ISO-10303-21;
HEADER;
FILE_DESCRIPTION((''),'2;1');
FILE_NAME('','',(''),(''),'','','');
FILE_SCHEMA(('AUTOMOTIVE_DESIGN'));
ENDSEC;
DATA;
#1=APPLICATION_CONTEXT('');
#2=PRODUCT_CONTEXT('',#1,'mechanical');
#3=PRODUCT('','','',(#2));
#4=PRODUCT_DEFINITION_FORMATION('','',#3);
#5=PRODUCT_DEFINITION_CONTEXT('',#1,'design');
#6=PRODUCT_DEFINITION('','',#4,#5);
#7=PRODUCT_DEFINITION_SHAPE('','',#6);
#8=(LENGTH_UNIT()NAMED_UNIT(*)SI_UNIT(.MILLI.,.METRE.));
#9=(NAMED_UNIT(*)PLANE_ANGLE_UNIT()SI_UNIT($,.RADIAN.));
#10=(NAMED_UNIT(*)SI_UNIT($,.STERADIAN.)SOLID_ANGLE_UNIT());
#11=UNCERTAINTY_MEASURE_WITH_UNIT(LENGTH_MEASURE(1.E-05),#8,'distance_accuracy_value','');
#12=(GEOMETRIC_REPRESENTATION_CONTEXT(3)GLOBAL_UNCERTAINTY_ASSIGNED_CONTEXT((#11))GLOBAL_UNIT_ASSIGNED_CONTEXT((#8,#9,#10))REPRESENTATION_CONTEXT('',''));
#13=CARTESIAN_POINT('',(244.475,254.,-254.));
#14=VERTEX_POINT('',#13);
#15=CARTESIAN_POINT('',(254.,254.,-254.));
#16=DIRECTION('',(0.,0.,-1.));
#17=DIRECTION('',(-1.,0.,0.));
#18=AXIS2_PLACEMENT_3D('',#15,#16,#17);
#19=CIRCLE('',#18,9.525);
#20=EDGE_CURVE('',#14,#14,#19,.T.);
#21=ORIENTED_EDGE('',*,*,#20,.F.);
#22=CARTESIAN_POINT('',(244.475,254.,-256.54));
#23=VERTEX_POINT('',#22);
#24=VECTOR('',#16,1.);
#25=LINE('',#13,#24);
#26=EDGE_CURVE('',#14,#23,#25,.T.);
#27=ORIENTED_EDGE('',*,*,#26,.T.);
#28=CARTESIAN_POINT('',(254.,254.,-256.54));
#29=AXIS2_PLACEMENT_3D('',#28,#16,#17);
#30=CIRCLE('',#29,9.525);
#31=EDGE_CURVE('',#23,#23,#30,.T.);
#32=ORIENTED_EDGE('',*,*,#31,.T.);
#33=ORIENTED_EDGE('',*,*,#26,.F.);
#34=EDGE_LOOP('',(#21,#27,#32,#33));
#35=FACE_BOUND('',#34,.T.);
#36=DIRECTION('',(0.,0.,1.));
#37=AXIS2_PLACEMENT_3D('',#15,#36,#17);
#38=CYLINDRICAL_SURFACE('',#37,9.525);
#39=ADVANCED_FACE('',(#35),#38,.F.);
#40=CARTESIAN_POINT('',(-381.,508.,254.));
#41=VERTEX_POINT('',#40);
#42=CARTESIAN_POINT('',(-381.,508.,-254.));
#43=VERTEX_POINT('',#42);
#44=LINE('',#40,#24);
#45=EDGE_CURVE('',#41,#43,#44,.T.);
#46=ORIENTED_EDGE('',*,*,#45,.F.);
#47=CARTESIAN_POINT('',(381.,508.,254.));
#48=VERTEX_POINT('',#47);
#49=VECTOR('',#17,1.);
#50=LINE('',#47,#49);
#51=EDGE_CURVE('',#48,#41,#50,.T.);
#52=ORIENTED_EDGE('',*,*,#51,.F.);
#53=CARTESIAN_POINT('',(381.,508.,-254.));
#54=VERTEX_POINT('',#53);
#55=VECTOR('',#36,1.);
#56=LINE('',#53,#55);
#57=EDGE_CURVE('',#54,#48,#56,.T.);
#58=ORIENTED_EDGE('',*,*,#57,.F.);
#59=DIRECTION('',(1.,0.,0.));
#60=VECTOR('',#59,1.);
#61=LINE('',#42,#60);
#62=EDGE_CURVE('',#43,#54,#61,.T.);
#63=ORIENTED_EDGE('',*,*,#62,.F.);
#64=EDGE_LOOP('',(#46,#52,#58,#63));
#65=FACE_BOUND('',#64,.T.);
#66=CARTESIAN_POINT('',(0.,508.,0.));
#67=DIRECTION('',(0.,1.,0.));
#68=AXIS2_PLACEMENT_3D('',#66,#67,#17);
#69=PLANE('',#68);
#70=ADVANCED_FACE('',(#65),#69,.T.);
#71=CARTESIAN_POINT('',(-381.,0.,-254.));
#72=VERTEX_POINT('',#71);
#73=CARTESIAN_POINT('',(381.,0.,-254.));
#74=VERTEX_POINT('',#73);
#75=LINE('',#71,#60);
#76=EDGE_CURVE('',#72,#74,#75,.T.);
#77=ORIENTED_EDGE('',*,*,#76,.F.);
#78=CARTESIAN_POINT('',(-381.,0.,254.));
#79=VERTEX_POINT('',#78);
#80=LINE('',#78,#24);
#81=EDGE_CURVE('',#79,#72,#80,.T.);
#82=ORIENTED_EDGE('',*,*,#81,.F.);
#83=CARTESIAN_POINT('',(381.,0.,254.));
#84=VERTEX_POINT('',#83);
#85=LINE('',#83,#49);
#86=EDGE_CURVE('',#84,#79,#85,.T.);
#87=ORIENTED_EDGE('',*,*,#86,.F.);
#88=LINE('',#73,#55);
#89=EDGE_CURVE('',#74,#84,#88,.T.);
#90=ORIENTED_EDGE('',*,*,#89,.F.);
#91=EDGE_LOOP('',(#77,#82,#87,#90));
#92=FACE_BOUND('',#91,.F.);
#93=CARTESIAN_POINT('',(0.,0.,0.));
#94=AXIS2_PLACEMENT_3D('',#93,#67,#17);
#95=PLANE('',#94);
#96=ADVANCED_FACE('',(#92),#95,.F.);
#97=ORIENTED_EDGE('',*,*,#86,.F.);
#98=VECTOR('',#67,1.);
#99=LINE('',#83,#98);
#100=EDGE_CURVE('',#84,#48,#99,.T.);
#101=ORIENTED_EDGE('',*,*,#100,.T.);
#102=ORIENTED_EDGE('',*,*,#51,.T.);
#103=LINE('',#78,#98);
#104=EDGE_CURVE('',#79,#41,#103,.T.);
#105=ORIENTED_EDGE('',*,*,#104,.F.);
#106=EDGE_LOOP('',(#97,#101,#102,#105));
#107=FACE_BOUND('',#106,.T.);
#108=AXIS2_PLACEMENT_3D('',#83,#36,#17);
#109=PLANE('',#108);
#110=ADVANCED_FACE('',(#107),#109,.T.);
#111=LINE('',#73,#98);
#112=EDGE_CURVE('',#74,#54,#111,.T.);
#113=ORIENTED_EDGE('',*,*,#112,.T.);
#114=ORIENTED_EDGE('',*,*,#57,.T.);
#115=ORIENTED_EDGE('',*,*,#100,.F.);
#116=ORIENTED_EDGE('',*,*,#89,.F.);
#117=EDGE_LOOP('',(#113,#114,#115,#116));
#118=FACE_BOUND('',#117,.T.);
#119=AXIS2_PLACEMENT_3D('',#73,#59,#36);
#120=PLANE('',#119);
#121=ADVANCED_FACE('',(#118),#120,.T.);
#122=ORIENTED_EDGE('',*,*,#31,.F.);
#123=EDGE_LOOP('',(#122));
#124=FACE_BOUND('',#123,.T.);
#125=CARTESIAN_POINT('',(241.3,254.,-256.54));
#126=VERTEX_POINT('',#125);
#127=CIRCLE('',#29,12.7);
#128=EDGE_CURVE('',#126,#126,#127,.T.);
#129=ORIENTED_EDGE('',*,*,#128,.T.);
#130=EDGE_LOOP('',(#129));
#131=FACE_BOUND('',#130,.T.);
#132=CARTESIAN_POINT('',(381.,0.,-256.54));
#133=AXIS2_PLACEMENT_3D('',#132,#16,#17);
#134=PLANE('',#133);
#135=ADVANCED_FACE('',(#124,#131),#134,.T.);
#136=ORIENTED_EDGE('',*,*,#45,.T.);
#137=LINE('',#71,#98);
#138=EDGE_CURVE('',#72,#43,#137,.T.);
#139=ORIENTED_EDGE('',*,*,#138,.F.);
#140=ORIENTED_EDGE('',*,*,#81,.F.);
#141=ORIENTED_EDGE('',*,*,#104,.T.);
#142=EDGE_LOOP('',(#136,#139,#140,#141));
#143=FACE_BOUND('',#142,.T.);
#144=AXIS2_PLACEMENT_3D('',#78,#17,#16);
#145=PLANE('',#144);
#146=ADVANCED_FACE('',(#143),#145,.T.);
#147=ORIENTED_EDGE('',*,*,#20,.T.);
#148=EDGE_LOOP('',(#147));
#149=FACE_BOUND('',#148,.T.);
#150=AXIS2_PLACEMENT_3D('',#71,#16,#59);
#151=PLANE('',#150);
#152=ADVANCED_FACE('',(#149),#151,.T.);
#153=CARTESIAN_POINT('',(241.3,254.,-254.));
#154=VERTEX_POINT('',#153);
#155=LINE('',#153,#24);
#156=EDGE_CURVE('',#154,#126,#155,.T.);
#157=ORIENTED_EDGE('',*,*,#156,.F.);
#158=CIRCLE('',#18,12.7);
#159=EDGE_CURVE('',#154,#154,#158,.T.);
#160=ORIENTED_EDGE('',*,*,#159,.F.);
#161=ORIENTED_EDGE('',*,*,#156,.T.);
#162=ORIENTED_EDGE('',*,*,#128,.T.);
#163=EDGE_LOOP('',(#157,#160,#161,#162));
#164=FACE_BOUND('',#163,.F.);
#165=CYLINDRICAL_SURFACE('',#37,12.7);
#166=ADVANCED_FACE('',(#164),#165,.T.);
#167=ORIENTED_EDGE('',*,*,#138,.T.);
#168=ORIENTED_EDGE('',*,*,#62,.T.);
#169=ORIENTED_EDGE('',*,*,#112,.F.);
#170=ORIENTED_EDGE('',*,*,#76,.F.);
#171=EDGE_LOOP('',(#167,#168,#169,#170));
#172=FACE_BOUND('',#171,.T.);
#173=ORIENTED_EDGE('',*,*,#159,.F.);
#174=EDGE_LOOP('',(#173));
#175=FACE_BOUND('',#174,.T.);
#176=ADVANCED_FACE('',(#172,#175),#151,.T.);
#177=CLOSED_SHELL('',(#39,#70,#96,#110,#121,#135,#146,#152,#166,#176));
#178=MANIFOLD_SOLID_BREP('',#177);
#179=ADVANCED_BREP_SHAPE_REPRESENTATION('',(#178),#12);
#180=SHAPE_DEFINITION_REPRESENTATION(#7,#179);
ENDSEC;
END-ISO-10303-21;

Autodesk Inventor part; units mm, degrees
ref_plane "YZ Plane" through (0, 0, 0) normal (1, 0, 0) x (0, 1, 0)
ref_plane "XZ Plane" through (0, 0, 0) normal (0, 1, 0) x (-1, 0, 0)
ref_plane "XY Plane" through (0, 0, 0) normal (0, 0, 1) x (1, 0, 0)
sketch "Sketch1" plane through (0, 0, 0) normal (0, 1, 0) x (-1, 0, 0)
  line L0 (-381, 254) -> (381, 254)
  line L1 (381, 254) -> (381, -254)
  line L2 (381, -254) -> (-381, -254)
  line L3 (-381, -254) -> (-381, 254)
  line L4 (-381, 254) -> (381, -254) construction
  line L5 (381, 254) -> (-381, -254) construction
  point P0 (0, 0)
  dimension "d0" = 762
  dimension "d1" = 508
extrude "Extrusion1" add sketch "Sketch1" along normal blind 508
sketch "Sketch2" plane through (381, 0, -254) normal (0, 0, -1) x (-1, 0, 0)
  line L0 (0, 0) -> (0, 508) projected
  line L1 (0, 254) -> (127, 254) construction
  circle A0 centre (127, 254) radius 9.525
  circle A1 centre (127, 254) radius 12.7
  point P0 (381, 0)
  dimension "d4" = 127
  dimension "d5" = 19.05
  dimension "d6" = 25.4
extrude "Extrusion2" add sketch "Sketch2" along normal blind 2.54
properties part number "Generator"
